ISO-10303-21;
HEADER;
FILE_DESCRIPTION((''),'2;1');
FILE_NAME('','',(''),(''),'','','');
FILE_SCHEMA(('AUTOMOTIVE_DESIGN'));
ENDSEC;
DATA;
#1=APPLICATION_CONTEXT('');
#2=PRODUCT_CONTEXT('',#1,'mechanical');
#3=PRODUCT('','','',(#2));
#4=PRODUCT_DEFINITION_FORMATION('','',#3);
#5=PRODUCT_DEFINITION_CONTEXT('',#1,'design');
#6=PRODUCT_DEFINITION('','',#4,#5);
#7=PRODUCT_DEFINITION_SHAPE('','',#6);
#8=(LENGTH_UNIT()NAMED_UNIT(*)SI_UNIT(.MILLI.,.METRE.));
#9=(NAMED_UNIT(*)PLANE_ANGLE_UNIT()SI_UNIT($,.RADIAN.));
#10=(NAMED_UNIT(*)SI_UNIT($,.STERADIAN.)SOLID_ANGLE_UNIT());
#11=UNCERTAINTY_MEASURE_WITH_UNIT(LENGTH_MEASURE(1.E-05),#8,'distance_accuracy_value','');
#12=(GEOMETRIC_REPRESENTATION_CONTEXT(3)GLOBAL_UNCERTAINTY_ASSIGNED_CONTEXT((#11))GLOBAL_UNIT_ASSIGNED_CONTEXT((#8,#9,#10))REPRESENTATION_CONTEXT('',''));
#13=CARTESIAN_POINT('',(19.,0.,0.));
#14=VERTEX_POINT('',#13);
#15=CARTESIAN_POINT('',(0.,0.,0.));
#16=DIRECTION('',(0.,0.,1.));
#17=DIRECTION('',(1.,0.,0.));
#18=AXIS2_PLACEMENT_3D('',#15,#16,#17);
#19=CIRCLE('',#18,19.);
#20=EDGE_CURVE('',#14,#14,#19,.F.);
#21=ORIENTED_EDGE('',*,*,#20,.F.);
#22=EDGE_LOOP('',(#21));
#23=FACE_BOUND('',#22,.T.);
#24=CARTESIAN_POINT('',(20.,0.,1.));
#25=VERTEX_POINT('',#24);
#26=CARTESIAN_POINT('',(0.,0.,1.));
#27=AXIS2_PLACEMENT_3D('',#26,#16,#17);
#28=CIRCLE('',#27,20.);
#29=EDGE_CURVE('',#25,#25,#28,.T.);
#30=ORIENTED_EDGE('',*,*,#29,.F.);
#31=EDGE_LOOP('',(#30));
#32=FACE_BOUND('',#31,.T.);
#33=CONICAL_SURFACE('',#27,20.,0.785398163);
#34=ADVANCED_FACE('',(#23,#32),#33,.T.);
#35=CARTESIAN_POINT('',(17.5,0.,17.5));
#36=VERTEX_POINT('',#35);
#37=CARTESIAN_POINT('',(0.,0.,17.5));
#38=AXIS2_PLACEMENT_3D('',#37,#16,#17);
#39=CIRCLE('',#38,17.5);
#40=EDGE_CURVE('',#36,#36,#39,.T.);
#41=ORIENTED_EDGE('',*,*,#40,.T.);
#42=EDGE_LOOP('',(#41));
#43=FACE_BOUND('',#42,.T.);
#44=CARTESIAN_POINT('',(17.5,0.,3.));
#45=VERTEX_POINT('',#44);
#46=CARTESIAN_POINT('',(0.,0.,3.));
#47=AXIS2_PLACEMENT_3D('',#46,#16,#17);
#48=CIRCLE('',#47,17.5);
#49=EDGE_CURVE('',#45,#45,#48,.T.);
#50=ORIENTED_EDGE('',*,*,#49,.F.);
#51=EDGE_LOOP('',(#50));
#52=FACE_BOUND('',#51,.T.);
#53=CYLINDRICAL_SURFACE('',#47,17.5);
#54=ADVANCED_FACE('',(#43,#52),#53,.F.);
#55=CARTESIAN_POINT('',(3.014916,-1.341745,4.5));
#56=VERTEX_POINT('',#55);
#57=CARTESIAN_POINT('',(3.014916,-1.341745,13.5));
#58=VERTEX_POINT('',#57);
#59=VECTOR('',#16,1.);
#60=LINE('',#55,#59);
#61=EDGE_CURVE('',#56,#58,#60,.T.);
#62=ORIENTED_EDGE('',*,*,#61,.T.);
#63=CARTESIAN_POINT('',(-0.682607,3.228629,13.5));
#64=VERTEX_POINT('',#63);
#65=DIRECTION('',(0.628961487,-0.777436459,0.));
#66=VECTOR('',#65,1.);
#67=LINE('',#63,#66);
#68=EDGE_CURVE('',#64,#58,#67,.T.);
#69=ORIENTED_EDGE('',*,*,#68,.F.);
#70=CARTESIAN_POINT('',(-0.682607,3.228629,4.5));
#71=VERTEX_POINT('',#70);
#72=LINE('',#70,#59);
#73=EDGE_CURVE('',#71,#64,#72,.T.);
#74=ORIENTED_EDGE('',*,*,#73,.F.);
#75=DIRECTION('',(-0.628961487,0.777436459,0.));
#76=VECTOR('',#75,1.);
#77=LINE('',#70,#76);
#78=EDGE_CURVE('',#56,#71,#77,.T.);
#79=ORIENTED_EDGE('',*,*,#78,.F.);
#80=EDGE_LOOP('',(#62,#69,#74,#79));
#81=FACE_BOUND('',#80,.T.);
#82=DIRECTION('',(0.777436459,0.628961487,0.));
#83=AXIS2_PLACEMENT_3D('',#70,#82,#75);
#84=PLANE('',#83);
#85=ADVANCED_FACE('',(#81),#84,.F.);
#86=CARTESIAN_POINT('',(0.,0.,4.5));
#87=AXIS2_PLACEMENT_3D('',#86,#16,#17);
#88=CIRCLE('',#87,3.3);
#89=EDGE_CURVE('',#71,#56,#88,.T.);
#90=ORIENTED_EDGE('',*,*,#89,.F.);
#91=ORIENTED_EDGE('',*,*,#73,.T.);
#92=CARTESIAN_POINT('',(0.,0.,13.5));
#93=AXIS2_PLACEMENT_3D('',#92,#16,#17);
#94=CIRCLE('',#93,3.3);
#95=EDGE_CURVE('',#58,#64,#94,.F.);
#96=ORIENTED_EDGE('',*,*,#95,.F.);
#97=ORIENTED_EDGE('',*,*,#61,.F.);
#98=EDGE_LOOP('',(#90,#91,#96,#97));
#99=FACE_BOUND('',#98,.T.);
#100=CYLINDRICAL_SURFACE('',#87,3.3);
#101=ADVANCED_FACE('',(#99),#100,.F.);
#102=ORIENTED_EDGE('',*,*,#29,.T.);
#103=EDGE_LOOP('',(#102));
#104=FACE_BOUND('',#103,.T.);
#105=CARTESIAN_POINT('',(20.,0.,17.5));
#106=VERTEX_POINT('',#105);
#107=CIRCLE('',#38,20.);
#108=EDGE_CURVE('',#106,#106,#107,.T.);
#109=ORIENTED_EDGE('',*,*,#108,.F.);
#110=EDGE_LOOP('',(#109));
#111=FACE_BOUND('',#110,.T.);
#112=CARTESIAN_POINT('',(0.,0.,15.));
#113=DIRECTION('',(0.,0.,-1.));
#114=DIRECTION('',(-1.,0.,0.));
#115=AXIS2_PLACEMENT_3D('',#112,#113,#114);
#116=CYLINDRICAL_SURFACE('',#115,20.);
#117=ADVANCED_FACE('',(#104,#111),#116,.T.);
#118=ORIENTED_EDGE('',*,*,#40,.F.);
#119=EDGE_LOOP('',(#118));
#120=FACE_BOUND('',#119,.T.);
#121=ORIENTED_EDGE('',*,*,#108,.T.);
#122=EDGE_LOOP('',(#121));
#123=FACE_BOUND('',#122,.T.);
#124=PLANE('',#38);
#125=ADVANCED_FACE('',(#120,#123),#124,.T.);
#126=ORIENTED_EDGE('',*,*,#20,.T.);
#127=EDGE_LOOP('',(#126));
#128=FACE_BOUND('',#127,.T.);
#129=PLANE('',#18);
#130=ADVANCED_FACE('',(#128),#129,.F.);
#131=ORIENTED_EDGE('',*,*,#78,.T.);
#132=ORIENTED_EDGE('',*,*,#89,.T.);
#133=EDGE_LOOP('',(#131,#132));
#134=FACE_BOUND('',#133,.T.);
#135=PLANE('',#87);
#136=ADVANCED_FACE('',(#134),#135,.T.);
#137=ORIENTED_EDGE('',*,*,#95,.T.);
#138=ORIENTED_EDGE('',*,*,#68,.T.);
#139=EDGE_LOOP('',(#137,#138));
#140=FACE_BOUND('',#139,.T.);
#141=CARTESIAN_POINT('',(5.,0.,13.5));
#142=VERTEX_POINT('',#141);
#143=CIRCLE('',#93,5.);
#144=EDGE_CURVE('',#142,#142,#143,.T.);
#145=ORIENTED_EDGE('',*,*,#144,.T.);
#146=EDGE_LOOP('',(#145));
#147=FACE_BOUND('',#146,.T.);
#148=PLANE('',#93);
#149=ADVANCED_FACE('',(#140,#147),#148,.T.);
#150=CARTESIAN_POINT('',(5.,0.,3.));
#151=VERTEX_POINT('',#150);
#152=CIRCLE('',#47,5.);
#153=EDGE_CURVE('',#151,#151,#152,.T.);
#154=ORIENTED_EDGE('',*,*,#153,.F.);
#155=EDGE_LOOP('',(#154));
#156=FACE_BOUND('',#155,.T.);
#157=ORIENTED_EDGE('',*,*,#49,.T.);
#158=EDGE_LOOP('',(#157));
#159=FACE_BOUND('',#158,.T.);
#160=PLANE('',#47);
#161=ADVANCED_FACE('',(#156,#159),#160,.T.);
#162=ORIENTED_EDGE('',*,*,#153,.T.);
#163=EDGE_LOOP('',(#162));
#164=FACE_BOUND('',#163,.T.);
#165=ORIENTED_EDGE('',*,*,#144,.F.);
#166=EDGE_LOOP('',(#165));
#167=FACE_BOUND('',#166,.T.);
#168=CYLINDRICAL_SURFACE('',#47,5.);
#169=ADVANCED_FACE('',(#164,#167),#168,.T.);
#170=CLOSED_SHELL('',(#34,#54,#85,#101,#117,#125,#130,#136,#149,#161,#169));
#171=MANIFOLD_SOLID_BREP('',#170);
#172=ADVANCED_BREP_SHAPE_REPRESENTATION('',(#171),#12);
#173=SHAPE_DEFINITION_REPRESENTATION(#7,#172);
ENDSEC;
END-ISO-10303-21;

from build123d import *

# Parameters (mm, degrees)
SKETCH1_R           = 20
BOSS_EXTRUDE1_DEPTH = 15
SKETCH2_R           = 17.5
SKETCH2_R_2         = 5
CUT_EXTRUDE1_DEPTH  = 12
CUT_EXTRUDE2_DEPTH  = 10.5
SKETCH4_R           = 5
CUT_EXTRUDE3_DEPTH  = 1.5
CHAMFER1_SIZE       = 1
SKETCH7_R           = 20
SKETCH7_R_2         = 17.5
BOSS_EXTRUDE2_DEPTH = 2.5


with BuildPart() as part:
    # Sketch1 → Boss-Extrude1 (new body)
    with BuildSketch(Plane.XY):
        Circle(SKETCH1_R)
    extrude(amount=BOSS_EXTRUDE1_DEPTH)

    # Sketch2 → Cut-Extrude1 (cut)
    with BuildSketch(Plane.XY.offset(15)):
        Circle(SKETCH2_R)
        Circle(SKETCH2_R_2, mode=Mode.SUBTRACT)
    extrude(amount=-CUT_EXTRUDE1_DEPTH, mode=Mode.SUBTRACT)

    # Sketch3 → Cut-Extrude2 (cut)
    with BuildSketch(Plane.XY.offset(15)):
        with BuildLine():
            Line((-0.682606966, 3.228629389), (3.014916342, -1.341744927))
            ThreePointArc((3.014916342, -1.341744927), (-2.565540314, -2.075572908), (-0.682606966, 3.228629389))
        make_face()
    extrude(amount=-CUT_EXTRUDE2_DEPTH, mode=Mode.SUBTRACT)

    # Sketch4 → Cut-Extrude3 (cut)
    with BuildSketch(Plane.XY.offset(15)):
        Circle(SKETCH4_R)
    extrude(amount=-CUT_EXTRUDE3_DEPTH, mode=Mode.SUBTRACT)

    # Chamfer1
    chamfer1_edges = [part.edges().sort_by_distance(p)[0] for p in [
        (-20, 0, 0),
    ]]
    chamfer(chamfer1_edges, length=CHAMFER1_SIZE)

    # Sketch7 → Boss-Extrude2 (add)
    with BuildSketch(Plane.XY.offset(15)):
        Circle(SKETCH7_R)
        Circle(SKETCH7_R_2, mode=Mode.SUBTRACT)
    extrude(amount=BOSS_EXTRUDE2_DEPTH)


solid = part.part
